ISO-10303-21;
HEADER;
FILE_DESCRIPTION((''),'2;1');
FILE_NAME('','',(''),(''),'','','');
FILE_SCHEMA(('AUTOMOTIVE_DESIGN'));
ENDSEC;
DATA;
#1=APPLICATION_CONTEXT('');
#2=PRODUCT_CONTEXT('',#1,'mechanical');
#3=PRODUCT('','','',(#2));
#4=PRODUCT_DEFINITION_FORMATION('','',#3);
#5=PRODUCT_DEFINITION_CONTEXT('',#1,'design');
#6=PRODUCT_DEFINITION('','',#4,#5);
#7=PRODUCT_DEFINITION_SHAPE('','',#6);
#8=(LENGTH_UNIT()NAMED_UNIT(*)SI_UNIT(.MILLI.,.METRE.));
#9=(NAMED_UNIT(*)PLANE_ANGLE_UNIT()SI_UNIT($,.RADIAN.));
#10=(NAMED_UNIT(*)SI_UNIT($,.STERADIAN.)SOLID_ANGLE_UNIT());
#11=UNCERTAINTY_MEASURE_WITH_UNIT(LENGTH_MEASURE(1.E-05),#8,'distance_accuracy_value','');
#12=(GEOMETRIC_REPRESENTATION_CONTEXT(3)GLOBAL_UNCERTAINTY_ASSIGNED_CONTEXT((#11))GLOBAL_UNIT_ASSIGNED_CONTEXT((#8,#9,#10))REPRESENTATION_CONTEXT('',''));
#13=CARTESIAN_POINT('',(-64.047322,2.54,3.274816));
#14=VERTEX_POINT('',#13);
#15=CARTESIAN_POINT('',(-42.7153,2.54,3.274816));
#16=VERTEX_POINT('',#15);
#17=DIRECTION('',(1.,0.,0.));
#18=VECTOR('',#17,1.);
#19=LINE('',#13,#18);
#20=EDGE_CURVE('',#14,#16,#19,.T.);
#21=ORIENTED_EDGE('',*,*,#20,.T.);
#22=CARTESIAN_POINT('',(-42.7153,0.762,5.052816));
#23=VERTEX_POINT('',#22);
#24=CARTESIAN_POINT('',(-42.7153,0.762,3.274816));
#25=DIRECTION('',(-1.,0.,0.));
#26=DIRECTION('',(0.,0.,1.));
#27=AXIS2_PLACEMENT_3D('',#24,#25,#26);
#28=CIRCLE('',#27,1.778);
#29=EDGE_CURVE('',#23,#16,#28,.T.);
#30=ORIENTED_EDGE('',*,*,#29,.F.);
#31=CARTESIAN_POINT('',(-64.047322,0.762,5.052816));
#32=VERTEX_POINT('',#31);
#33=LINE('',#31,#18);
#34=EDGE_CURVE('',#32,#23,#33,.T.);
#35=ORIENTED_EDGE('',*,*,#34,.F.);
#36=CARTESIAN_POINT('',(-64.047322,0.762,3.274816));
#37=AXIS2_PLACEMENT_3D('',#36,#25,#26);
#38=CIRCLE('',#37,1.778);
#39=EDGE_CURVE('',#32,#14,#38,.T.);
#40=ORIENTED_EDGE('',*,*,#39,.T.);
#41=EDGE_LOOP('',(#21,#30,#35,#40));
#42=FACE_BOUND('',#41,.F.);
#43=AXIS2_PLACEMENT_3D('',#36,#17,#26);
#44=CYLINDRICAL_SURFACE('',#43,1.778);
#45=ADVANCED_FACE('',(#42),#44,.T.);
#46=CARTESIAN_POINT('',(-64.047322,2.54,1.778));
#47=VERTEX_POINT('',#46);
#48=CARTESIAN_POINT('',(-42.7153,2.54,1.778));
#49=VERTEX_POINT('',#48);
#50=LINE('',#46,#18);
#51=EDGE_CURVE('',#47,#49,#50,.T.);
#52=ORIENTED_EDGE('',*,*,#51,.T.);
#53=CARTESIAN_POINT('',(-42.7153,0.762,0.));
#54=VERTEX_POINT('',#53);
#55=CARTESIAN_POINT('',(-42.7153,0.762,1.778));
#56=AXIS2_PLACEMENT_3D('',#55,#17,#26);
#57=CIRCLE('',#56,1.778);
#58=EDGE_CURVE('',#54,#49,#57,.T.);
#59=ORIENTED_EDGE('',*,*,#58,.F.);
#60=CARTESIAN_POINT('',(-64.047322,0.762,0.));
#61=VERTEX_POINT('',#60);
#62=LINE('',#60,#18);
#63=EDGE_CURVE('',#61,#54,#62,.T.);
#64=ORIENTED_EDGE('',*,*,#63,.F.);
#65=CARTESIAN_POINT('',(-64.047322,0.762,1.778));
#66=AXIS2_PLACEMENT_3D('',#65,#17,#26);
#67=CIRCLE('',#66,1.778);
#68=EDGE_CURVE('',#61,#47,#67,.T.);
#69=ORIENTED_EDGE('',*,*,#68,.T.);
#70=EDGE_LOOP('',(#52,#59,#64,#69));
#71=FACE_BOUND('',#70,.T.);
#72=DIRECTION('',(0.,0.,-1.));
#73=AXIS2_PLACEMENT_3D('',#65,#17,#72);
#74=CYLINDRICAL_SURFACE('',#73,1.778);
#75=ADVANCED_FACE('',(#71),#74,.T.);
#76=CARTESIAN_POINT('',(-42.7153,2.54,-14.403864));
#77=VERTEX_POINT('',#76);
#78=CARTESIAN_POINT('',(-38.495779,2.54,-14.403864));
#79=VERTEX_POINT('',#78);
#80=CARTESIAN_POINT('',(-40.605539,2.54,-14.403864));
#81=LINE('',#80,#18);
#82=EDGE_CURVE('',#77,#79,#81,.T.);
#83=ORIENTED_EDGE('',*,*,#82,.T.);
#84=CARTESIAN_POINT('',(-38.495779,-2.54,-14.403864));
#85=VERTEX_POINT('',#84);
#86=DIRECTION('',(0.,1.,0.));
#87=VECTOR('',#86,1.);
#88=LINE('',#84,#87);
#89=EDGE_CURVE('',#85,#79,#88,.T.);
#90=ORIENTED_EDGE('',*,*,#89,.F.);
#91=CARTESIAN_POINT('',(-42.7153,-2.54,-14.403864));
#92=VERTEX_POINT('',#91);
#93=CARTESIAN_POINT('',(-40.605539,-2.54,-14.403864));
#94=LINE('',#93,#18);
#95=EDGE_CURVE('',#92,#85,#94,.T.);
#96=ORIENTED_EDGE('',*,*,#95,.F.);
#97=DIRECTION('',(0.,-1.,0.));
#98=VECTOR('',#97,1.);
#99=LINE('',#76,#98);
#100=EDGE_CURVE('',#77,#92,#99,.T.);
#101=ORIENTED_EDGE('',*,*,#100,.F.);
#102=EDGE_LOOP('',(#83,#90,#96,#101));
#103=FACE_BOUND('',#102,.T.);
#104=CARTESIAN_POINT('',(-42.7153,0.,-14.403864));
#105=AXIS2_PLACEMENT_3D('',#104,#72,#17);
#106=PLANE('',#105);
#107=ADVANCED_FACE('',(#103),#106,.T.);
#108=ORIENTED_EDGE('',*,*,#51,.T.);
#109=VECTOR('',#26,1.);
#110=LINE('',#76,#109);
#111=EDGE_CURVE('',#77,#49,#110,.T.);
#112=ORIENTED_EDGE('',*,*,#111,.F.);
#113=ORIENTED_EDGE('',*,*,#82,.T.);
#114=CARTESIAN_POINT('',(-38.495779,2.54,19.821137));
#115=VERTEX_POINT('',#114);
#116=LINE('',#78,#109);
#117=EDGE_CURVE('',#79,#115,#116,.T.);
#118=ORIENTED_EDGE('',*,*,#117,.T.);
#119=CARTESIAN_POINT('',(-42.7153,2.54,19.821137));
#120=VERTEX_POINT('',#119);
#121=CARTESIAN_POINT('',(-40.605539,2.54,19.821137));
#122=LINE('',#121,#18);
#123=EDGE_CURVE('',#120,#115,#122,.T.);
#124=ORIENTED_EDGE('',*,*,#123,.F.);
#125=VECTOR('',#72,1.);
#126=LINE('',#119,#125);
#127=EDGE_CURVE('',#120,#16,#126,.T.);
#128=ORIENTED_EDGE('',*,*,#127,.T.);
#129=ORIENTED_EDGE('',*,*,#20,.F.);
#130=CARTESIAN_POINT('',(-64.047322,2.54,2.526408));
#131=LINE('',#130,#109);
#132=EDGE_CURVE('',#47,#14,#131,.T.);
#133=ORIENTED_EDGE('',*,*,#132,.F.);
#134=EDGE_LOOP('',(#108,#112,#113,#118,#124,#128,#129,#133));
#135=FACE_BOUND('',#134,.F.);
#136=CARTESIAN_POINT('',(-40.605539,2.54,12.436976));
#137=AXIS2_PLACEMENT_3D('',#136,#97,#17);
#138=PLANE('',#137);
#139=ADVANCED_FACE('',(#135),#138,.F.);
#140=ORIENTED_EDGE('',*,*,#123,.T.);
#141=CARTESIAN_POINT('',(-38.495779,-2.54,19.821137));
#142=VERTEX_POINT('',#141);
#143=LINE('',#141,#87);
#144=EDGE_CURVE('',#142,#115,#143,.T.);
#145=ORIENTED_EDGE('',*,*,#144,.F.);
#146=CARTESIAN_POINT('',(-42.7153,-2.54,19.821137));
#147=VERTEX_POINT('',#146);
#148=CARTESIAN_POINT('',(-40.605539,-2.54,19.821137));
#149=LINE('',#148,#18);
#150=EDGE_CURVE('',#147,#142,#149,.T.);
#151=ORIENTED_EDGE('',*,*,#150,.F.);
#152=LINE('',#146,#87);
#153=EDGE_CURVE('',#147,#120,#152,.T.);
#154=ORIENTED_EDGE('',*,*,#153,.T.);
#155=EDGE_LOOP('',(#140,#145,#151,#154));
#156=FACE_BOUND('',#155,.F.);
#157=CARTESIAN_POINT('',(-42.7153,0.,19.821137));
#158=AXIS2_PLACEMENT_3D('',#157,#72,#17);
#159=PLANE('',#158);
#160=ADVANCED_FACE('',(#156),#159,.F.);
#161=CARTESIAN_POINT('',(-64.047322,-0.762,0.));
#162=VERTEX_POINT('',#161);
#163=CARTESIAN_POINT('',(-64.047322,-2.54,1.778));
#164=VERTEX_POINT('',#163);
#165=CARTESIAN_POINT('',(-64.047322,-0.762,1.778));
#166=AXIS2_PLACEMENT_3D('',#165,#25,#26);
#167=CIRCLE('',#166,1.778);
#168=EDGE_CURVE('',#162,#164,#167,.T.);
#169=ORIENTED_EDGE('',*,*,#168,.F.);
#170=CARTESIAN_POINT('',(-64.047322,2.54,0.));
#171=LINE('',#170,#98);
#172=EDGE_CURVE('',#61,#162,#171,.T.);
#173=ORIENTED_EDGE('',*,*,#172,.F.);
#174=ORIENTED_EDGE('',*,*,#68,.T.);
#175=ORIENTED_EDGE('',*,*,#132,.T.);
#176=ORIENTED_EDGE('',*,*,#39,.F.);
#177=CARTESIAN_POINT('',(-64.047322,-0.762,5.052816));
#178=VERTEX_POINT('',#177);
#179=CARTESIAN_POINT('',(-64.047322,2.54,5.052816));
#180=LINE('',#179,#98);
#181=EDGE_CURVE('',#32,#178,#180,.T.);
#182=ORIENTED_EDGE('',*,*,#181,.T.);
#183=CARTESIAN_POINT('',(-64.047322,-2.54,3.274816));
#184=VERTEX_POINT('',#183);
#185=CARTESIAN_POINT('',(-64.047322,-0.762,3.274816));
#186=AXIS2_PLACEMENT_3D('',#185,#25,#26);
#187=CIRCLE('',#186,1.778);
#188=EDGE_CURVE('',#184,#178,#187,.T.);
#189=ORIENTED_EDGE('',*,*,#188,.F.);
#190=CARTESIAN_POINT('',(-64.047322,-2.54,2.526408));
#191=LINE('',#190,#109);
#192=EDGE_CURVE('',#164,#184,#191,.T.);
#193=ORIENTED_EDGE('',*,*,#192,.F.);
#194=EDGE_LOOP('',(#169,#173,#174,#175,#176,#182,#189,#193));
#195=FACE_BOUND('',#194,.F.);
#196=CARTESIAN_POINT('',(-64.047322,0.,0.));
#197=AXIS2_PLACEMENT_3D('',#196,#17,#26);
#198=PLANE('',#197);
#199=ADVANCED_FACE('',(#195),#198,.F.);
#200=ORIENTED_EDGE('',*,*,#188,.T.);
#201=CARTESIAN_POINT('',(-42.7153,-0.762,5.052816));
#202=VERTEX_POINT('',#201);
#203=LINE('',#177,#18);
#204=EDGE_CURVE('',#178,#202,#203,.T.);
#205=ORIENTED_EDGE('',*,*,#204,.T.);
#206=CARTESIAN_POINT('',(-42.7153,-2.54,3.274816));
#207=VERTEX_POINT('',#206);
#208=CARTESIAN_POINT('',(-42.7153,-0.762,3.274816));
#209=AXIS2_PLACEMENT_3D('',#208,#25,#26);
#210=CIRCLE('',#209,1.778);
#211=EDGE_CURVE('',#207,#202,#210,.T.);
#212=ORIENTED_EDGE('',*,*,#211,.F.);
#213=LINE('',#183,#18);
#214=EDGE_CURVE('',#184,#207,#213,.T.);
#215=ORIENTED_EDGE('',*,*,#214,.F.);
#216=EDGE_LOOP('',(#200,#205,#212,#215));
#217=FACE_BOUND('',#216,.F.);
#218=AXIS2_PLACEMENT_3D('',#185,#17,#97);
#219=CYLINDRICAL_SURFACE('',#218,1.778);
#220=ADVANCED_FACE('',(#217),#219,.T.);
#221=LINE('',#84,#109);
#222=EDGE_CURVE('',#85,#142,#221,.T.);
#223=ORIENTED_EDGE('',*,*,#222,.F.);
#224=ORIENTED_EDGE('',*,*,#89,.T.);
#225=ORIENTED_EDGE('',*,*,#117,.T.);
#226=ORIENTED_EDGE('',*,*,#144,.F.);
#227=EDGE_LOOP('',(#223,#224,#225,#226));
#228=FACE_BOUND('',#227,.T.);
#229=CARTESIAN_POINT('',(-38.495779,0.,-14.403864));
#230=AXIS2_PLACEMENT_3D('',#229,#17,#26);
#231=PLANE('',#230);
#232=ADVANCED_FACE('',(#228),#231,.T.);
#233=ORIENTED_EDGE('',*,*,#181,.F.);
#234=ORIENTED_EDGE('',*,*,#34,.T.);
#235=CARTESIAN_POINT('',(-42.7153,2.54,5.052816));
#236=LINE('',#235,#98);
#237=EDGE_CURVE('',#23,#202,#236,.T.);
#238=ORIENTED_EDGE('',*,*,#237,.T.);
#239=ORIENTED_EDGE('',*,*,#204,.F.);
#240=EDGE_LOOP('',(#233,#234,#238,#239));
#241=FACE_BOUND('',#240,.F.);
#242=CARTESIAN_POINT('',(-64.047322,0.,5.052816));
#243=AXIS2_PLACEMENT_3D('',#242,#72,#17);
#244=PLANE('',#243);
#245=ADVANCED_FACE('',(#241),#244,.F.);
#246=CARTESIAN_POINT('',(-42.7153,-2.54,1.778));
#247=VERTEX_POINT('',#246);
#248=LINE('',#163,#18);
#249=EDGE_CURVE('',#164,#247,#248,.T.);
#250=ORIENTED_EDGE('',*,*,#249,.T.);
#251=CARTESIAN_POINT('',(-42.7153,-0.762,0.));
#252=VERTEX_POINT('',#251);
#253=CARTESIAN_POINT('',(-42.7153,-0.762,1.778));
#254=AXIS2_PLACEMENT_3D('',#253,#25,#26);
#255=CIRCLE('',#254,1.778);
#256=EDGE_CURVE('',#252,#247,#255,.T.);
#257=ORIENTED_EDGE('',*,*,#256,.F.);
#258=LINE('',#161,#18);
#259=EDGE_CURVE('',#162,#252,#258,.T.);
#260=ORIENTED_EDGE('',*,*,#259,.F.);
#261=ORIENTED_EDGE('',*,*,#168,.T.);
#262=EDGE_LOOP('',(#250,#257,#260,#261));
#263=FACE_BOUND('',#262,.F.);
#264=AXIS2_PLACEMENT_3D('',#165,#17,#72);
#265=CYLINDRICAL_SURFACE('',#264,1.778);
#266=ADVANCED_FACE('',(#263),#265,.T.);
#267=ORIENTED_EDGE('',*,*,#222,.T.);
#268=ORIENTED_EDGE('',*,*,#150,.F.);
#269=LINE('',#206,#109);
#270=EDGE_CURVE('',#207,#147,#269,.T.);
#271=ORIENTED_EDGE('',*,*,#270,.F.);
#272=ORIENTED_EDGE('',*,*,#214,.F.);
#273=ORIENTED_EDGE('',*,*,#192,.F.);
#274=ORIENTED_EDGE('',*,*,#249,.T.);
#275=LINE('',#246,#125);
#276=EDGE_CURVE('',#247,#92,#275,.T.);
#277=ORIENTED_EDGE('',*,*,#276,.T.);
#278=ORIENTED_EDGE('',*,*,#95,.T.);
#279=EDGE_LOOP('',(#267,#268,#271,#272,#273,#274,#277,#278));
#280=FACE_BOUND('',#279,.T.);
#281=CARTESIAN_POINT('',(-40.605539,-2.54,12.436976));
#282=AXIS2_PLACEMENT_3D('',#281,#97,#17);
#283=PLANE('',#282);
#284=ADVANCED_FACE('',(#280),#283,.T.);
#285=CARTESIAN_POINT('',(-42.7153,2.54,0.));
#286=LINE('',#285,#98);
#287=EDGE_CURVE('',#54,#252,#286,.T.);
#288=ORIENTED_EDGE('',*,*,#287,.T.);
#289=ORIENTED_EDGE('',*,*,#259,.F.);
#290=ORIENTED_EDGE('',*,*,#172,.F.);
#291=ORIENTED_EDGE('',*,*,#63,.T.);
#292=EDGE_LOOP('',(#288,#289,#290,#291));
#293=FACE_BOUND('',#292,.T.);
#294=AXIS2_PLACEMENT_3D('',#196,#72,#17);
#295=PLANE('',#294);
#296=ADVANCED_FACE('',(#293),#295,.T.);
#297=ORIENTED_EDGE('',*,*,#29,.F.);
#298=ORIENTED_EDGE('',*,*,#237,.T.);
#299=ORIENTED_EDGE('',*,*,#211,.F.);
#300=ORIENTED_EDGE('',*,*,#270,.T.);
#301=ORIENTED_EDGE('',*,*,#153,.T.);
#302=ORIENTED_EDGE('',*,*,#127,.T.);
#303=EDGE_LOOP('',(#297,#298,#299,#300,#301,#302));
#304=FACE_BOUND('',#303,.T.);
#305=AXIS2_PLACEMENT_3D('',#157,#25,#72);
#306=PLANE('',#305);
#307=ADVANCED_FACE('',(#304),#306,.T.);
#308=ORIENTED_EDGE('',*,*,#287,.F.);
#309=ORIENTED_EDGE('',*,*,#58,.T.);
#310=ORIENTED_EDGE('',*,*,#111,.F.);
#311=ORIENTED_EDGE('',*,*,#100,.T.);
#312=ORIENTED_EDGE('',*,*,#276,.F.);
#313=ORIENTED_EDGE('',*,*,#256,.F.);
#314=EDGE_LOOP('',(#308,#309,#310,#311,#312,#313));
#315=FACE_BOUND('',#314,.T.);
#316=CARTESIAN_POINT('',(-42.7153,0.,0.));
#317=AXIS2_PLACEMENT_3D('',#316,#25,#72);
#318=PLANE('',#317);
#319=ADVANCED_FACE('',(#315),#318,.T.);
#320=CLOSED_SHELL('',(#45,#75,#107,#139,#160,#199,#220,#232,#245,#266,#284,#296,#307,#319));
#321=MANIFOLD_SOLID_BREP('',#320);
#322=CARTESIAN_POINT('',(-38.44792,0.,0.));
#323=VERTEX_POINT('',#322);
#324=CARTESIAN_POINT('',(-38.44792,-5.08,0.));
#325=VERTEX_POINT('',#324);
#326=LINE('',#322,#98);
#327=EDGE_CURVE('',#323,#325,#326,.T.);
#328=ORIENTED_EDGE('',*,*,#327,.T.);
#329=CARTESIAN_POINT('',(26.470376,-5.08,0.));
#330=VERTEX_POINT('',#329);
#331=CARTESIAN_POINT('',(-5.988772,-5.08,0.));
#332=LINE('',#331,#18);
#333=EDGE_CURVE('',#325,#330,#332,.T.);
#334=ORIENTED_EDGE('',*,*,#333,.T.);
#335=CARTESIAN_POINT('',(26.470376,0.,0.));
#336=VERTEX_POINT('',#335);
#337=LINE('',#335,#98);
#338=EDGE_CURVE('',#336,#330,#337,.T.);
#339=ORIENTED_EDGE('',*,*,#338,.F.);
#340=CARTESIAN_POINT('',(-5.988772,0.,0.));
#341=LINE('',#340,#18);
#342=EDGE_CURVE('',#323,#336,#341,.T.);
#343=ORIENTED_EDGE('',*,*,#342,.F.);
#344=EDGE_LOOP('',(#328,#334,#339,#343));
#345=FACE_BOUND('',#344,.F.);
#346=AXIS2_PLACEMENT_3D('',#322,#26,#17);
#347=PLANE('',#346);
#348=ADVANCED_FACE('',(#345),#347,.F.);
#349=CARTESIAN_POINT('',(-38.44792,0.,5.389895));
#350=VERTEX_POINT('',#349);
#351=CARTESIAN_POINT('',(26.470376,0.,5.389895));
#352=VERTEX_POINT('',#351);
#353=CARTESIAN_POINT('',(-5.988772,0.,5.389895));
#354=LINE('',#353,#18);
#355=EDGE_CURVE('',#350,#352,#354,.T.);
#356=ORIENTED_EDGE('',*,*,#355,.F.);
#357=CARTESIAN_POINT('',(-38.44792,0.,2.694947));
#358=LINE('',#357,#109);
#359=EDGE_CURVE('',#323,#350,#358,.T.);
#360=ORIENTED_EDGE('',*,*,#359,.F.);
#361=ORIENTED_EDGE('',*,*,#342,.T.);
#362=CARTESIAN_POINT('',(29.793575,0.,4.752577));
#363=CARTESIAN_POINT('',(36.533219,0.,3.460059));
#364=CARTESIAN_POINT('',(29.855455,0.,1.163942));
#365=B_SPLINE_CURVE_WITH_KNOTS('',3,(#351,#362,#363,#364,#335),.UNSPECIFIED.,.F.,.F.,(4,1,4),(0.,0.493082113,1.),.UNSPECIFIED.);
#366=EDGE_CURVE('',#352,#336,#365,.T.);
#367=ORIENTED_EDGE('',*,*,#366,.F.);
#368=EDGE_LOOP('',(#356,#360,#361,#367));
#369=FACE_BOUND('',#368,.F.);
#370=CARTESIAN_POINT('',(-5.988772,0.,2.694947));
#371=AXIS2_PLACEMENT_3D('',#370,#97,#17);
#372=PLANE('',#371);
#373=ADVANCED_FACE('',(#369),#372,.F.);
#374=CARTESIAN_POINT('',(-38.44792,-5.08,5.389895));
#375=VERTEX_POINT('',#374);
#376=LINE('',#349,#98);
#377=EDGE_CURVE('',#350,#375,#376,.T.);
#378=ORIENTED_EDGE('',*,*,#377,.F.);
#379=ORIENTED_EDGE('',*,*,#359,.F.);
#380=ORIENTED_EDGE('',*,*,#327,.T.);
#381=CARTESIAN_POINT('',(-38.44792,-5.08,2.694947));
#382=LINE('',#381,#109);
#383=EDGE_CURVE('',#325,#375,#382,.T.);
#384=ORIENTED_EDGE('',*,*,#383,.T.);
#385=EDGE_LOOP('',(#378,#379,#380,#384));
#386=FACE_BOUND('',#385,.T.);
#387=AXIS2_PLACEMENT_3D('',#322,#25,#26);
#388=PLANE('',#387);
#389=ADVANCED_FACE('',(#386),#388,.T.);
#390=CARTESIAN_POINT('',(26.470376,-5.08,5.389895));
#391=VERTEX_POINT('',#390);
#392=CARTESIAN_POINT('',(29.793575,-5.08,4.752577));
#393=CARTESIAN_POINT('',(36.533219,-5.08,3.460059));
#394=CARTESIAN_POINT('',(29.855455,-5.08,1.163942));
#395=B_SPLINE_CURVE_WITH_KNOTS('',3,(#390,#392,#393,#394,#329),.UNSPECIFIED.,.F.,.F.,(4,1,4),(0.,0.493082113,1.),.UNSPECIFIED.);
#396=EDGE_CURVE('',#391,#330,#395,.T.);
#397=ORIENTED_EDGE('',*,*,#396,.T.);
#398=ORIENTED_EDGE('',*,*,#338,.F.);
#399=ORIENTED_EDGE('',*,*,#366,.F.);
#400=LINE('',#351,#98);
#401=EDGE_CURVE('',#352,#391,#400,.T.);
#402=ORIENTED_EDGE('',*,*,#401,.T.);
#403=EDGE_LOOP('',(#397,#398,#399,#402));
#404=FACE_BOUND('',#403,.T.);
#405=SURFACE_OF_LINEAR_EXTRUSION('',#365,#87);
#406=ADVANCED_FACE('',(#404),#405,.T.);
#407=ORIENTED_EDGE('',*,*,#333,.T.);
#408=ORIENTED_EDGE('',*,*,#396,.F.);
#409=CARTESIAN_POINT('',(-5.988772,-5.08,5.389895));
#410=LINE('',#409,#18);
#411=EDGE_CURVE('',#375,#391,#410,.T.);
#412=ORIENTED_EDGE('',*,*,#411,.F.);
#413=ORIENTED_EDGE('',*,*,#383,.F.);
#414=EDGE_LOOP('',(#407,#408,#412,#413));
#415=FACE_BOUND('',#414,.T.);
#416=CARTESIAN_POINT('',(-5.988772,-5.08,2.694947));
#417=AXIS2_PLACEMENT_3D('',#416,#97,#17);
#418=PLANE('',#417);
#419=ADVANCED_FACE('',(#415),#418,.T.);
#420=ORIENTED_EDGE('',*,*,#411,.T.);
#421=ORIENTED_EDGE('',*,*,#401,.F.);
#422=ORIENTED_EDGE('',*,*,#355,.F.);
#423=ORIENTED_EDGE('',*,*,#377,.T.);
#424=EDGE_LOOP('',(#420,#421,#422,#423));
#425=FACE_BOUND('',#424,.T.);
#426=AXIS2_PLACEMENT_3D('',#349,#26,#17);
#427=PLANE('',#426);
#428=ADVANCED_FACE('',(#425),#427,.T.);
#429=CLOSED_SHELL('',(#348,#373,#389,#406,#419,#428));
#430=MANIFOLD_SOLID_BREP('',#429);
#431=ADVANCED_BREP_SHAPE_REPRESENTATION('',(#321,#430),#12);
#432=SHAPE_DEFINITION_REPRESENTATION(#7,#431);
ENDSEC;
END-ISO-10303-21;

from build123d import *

# Parameters (mm, degrees)
F0_W     = 4.2195208371
F0_H     = 14.7683215328
F0_H_2   = 14.40386381
F0_H_3   = 5.0528156571
F0_W_2   = 21.3320218027
F1_DEPTH = 2.54
F2_R     = 1.778
F3_W     = 64.9182964116
F3_H     = 5.3898948245
F4_DEPTH = 5.08


with BuildPart() as f1:
    # F0 (on Front) → F1 (new body, symmetric)
    with BuildSketch(Plane.XZ):
        with Locations((-40.605539456, 12.4369764235)):
            Rectangle(F0_W, F0_H)
        with Locations((-40.605539456, -7.201931905)):
            Rectangle(F0_W, F0_H_2)
        with Locations((-40.605539456, 2.5264078286)):
            Rectangle(F0_W, F0_H_3)
        with Locations((-53.3813107759, 2.5264078286)):
            Rectangle(F0_W_2, F0_H_3)
    extrude(amount=F1_DEPTH, both=True)

    # F2
    f2_edges = [f1.edges().sort_by_distance(p)[0] for p in [
        (-53.381311, -2.54, 5.052816),
        (-53.381311, 2.54, 0),
        (-53.381311, 2.54, 5.052816),
        (-53.381311, -2.54, 0),
    ]]
    fillet(f2_edges, radius=F2_R)


with BuildPart() as f4:
    # F3 (on Front) → F4 (new body)
    with BuildSketch(Plane.XZ):
        with Locations((-5.9887720272, 2.6949474122)):
            Rectangle(F3_W, F3_H)
        with BuildLine():
            add(Edge.make_bspline(
                [(26.4703761786, 5.3898948245), (29.7935745055, 4.7525771684), (36.533219355, 3.4600588664), (29.8554545831, 1.1639424705), (26.4703761786, 0)],
                knots=[0, 0, 0, 0, 0.4930821135, 1, 1, 1, 1], degree=3))
            Line((26.4703761786, 5.3898948245), (26.4703761786, 0))
        make_face()
    extrude(amount=F4_DEPTH)


solid = Compound([f1.part, f4.part])
